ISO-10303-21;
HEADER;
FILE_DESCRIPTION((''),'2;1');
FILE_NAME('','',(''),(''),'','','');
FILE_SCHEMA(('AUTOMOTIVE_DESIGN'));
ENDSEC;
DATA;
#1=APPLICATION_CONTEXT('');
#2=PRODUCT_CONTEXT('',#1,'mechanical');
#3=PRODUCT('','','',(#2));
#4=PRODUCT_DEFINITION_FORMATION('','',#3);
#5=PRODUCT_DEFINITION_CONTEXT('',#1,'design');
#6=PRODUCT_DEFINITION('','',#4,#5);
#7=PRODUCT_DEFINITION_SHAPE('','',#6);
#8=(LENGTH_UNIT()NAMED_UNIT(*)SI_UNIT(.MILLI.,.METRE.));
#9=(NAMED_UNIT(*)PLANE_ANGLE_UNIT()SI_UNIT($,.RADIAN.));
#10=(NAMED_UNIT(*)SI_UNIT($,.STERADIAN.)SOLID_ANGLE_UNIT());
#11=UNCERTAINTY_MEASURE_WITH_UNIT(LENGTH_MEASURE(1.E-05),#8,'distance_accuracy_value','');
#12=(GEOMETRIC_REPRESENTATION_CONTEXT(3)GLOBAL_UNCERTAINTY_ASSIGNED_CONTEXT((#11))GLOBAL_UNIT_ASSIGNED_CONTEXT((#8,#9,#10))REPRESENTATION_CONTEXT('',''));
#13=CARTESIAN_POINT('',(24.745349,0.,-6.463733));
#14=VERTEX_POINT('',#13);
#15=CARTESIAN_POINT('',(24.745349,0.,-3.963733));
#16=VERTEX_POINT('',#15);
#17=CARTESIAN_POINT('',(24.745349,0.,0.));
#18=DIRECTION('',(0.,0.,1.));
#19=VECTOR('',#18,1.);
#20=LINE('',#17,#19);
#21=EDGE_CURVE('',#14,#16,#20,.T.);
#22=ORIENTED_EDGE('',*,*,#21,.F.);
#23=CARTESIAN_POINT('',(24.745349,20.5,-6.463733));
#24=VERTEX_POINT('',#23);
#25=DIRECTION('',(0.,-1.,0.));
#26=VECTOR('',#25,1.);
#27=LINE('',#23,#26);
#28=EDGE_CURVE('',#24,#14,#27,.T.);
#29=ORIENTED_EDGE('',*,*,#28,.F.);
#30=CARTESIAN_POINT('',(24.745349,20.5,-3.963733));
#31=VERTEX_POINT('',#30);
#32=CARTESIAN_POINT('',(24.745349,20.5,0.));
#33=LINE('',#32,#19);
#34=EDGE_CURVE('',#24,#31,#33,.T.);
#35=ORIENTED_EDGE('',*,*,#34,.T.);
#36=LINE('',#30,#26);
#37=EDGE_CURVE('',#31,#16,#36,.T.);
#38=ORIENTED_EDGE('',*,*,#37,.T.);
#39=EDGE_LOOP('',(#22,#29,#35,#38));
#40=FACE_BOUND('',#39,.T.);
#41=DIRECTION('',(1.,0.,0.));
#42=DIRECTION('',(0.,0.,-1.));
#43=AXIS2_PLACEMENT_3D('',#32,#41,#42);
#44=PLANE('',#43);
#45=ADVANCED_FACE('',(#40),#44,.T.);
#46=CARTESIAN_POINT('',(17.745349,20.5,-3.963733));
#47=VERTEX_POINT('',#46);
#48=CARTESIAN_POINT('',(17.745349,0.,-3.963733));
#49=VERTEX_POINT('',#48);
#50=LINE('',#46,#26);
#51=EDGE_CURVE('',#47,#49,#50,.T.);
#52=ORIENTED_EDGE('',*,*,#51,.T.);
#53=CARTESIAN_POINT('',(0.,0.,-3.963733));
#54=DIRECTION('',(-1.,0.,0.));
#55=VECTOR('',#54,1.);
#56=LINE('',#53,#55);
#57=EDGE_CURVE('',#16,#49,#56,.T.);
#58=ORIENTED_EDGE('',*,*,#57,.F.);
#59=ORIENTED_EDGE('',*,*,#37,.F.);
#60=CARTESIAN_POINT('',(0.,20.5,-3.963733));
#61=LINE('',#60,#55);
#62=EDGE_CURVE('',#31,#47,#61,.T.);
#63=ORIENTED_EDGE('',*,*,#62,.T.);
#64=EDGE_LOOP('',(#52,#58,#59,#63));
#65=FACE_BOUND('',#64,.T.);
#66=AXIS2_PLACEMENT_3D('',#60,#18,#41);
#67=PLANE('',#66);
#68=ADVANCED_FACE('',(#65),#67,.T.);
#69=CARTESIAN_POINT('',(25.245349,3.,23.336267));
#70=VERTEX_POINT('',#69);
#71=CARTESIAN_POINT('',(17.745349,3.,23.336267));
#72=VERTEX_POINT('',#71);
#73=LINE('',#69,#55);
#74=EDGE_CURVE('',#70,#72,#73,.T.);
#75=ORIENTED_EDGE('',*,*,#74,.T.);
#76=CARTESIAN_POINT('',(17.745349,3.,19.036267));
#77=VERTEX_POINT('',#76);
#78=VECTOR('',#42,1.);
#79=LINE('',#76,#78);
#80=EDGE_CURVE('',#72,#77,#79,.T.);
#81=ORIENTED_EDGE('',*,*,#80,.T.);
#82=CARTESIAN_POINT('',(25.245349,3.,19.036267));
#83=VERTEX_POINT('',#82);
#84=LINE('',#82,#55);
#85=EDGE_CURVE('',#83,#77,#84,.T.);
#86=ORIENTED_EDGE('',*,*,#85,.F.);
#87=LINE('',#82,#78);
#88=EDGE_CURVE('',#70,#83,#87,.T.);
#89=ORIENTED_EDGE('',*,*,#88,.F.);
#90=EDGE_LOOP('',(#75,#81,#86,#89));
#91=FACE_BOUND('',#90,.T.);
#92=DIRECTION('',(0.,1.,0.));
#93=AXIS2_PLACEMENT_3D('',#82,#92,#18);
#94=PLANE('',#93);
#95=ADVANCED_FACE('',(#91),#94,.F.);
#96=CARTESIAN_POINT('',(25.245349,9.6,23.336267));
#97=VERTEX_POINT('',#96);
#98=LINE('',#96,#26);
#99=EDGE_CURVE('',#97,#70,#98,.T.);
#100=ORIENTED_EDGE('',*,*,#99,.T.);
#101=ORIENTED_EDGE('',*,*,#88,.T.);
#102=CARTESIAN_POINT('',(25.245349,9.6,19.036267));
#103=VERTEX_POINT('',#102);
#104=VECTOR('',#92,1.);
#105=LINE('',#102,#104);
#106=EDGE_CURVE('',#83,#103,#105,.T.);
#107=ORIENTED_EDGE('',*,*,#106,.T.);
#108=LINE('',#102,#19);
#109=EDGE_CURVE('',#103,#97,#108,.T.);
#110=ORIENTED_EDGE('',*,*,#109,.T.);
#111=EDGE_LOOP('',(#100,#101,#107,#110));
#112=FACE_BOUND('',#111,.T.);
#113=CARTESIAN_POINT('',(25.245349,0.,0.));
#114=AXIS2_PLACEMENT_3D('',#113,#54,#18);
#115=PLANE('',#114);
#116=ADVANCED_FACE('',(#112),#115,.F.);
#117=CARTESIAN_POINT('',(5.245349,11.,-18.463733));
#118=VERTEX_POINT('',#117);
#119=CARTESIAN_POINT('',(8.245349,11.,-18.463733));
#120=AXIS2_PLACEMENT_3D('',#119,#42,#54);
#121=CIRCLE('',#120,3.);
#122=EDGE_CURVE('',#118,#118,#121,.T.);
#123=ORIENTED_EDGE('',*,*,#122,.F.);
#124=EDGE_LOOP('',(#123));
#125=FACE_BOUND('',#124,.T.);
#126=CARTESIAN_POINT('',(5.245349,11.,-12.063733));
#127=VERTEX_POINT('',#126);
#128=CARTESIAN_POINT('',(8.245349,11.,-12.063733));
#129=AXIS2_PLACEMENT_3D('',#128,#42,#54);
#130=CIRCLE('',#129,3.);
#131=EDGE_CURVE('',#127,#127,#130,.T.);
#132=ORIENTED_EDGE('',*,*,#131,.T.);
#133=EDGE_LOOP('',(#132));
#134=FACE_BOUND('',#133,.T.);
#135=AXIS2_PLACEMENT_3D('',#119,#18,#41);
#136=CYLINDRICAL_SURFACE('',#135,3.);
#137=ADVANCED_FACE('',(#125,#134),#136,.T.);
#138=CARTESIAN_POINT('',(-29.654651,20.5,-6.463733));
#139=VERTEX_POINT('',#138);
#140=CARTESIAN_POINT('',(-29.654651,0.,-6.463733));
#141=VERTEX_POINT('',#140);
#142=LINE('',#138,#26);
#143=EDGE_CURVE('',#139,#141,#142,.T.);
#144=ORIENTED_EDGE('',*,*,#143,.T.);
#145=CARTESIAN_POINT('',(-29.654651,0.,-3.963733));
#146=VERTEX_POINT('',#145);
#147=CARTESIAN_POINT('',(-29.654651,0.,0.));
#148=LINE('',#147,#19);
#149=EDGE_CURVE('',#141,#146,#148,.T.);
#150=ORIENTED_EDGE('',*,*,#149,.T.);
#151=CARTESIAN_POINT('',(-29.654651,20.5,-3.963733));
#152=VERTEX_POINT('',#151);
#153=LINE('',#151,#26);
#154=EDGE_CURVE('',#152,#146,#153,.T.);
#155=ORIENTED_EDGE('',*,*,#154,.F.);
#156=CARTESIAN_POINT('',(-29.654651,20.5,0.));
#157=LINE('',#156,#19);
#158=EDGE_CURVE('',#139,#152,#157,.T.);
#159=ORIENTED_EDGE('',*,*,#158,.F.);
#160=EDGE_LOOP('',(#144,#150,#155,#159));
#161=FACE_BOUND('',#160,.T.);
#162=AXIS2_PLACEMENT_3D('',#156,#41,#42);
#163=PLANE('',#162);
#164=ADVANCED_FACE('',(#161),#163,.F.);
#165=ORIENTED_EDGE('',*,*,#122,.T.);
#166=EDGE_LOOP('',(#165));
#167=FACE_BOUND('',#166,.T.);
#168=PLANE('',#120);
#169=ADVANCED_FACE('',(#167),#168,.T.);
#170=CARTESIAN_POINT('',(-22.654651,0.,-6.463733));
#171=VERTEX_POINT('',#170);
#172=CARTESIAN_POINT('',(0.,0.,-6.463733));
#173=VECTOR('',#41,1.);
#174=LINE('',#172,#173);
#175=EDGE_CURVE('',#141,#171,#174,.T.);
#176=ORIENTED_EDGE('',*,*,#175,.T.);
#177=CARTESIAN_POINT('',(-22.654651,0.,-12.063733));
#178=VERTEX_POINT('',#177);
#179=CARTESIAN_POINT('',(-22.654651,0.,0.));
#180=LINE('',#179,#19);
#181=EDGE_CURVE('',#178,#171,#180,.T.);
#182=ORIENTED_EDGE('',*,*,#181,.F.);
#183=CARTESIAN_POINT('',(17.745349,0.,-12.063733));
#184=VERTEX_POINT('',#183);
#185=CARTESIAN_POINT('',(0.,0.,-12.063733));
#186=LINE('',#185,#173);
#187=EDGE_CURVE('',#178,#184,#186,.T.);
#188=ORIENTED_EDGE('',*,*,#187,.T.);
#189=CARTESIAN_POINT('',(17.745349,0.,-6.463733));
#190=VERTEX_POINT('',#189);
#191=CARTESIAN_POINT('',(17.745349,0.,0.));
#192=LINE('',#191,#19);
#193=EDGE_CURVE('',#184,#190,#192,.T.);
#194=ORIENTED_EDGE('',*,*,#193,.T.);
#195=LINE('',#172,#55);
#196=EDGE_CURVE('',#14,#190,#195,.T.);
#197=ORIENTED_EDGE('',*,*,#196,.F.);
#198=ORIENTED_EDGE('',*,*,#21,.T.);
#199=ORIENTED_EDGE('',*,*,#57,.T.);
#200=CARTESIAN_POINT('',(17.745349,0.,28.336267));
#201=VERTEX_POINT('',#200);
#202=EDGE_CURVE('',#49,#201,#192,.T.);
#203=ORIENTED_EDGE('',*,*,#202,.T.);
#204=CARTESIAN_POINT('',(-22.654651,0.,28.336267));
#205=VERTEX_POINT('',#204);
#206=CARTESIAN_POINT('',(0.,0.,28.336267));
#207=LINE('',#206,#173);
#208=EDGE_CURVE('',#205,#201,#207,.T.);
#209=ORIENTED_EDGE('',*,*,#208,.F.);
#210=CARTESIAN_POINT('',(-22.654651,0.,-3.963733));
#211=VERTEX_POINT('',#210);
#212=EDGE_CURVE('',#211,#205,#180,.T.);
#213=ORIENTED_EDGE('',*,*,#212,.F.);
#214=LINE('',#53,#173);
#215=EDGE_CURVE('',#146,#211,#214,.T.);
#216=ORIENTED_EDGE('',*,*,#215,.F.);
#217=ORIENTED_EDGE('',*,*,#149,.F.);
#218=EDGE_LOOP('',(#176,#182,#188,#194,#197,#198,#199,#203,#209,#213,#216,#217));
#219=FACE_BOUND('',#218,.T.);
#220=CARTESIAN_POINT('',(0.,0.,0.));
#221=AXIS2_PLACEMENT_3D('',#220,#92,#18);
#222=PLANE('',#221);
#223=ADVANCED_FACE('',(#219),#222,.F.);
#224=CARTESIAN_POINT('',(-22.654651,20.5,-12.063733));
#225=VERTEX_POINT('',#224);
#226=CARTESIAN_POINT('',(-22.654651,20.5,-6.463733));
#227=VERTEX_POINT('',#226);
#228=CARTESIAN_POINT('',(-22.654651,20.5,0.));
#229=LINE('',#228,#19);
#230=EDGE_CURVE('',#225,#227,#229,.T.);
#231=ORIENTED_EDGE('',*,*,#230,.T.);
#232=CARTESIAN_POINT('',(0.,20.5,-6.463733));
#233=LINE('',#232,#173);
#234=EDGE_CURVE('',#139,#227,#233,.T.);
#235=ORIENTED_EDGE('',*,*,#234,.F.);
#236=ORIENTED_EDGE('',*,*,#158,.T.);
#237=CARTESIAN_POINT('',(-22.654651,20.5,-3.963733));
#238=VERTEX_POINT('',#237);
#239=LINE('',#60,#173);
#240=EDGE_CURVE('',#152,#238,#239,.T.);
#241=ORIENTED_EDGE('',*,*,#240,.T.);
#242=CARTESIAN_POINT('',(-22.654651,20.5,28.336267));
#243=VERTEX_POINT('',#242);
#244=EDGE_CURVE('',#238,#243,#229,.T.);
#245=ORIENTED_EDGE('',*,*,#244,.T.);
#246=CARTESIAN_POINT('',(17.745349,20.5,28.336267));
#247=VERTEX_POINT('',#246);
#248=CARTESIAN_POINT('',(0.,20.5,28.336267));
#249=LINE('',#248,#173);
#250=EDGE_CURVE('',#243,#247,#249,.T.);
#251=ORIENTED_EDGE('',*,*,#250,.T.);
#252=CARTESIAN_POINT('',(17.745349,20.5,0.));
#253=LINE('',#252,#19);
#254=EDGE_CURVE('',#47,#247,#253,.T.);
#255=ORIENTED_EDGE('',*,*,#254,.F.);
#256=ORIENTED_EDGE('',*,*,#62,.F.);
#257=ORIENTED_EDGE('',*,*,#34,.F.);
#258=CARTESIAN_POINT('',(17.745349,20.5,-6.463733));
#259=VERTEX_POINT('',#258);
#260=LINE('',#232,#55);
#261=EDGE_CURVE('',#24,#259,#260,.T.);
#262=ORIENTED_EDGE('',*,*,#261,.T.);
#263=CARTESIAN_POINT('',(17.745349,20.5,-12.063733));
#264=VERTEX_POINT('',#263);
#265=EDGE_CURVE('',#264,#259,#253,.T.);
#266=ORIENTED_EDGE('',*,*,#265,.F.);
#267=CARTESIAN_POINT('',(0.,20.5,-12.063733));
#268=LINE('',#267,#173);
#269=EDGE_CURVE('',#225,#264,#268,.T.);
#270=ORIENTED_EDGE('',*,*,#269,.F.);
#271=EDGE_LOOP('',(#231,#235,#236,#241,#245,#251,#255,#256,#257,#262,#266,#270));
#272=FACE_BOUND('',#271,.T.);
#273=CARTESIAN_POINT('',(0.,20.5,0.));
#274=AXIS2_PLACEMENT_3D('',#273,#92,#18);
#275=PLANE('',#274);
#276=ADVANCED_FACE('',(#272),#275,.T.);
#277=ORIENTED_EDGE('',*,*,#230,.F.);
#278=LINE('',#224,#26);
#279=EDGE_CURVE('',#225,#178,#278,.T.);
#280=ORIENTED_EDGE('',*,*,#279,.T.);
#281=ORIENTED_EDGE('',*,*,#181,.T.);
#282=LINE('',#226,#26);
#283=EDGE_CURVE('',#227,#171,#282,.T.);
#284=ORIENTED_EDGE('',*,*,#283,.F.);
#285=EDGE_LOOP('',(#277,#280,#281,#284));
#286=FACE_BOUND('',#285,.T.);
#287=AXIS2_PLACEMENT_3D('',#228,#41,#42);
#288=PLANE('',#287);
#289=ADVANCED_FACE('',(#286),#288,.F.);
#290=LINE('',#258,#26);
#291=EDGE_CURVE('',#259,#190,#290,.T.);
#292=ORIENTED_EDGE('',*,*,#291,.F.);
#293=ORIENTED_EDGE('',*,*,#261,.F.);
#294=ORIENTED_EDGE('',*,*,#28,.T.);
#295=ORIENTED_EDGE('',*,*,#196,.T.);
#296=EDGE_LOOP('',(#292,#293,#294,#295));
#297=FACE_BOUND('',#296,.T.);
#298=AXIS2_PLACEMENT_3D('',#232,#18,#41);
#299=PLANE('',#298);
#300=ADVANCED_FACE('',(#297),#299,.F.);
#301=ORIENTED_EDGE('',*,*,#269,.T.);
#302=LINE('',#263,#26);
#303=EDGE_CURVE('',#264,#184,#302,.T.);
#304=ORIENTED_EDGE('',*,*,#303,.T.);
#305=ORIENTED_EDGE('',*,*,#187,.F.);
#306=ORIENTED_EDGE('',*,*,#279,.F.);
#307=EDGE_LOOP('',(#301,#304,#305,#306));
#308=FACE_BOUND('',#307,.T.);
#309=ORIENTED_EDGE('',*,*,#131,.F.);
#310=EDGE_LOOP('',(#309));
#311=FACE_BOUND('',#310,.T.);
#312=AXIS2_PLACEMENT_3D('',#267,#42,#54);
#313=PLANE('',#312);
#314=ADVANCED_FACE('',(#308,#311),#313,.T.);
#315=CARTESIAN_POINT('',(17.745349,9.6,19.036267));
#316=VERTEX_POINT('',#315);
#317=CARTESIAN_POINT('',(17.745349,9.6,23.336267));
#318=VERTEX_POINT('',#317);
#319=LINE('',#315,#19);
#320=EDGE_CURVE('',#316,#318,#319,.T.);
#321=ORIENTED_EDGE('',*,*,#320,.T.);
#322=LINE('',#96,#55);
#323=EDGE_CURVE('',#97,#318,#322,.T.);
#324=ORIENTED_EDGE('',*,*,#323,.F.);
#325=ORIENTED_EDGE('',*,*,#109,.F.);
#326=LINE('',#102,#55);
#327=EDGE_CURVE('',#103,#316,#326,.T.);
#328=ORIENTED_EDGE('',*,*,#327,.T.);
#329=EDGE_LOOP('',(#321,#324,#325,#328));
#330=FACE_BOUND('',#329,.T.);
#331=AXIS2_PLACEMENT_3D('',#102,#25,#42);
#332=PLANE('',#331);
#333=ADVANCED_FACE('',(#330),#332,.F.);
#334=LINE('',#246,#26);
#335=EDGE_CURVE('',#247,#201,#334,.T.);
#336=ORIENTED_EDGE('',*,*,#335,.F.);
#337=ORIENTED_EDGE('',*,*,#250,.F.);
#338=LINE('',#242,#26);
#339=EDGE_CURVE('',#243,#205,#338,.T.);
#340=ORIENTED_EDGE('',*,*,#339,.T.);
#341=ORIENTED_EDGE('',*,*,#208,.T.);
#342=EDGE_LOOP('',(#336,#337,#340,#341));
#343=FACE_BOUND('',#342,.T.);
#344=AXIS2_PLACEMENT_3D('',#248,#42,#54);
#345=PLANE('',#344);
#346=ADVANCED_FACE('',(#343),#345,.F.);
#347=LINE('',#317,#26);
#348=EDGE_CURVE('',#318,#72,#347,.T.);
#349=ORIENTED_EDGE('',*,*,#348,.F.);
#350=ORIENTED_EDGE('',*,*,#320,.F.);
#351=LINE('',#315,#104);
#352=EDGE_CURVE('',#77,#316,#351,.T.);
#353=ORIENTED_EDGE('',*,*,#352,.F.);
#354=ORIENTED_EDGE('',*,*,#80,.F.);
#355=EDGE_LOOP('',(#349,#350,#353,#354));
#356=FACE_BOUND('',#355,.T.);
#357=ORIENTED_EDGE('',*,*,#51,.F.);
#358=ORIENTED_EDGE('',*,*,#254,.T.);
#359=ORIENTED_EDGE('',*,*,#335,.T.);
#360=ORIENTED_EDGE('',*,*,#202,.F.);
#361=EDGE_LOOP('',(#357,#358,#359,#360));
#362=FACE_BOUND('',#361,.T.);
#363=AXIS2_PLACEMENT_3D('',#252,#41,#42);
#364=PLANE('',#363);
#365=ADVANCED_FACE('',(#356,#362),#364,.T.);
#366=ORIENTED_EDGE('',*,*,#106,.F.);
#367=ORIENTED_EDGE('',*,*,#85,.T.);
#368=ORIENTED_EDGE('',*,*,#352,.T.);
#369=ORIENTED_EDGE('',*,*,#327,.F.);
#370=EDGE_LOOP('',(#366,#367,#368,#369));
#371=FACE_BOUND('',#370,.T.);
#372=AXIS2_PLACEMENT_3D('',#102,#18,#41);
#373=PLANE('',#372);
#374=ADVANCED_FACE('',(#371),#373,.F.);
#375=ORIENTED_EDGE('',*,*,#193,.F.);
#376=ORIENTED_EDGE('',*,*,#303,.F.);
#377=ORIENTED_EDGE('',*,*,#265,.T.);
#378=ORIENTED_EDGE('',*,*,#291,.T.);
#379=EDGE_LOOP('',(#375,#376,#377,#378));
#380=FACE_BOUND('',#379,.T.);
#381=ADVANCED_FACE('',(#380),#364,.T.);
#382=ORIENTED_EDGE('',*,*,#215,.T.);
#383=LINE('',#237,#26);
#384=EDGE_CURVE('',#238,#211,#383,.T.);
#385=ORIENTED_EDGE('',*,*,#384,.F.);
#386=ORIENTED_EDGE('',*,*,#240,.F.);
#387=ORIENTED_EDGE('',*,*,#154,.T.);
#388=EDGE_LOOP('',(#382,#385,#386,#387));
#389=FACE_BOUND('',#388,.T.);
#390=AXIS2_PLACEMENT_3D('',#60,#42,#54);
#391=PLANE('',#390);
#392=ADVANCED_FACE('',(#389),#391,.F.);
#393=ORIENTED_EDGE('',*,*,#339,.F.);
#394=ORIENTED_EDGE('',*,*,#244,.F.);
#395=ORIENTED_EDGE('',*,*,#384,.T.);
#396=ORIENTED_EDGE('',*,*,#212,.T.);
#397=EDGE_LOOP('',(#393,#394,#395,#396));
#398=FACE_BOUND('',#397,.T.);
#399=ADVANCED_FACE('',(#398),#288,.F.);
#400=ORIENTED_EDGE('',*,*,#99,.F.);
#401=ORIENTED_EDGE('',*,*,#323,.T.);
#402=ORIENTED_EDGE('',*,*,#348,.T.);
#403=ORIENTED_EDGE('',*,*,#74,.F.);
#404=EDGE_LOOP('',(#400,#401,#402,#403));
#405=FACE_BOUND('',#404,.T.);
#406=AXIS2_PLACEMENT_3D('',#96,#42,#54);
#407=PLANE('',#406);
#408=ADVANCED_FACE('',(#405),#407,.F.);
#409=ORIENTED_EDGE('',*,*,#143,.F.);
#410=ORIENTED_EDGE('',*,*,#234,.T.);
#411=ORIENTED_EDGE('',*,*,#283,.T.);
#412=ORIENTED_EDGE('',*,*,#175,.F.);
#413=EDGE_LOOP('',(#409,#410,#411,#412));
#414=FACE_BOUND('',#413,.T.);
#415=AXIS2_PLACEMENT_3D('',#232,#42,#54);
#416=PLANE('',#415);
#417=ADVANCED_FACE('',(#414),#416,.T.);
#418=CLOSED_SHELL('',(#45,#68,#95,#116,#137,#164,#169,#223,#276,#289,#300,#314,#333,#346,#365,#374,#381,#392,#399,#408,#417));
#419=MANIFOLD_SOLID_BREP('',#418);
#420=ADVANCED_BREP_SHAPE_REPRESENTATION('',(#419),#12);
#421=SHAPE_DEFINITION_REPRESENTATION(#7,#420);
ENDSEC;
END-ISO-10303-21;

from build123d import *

# Parameters (mm, degrees)
SKETCH2_W           = 7
SKETCH2_H           = 2.5
BOSS_EXTRUDE3_DEPTH = 20.5
SKETCH4_W           = 4.3
SKETCH4_H           = 6.6
WIRE_2_DEPTH        = 7.5
SKETCH6_R           = 3
BOSS_EXTRUDE5_DEPTH = 6.4


with BuildPart() as part:
    # Sketch2 → Boss-Extrude3 (new body)
    with BuildSketch(Plane(origin=(0, 0, 0), x_dir=(1, 0, 0), z_dir=(0, 1, 0))):
        with Locations((-26.15465113, 5.213732574)):
            Rectangle(SKETCH2_W, SKETCH2_H)
        Polygon((-2.45465113, -28.336267426), (-2.45465113, 12.063732574), (-22.65465113, 12.063732574), (-22.65465113, 6.463732574), (-22.65465113, 3.963732574), (-22.65465113, -28.336267426), align=None)
        Polygon((17.74534887, 12.063732574), (-2.45465113, 12.063732574), (-2.45465113, -28.336267426), (17.74534887, -28.336267426), (17.74534887, 3.963732574), (17.74534887, 6.463732574), align=None)
        with Locations((21.24534887, 5.213732574)):
            Rectangle(SKETCH2_W, SKETCH2_H)
    extrude(amount=BOSS_EXTRUDE3_DEPTH)

    # Sketch4 → Wire 2 (add)
    with BuildSketch(Plane(origin=(17.74534887, 0, 0), x_dir=(0, 0, -1), z_dir=(1, 0, 0))):
        with Locations((-21.186267426, 6.3)):
            Rectangle(SKETCH4_W, SKETCH4_H)
    extrude(amount=WIRE_2_DEPTH)

    # Sketch6 → Boss-Extrude5 (add)
    with BuildSketch(Plane(origin=(0, 0, -12.063732574), x_dir=(-1, 0, 0), z_dir=(0, 0, -1))):
        with Locations((-8.24534887, 11)):
            Circle(SKETCH6_R)
    extrude(amount=BOSS_EXTRUDE5_DEPTH)


solid = part.part
